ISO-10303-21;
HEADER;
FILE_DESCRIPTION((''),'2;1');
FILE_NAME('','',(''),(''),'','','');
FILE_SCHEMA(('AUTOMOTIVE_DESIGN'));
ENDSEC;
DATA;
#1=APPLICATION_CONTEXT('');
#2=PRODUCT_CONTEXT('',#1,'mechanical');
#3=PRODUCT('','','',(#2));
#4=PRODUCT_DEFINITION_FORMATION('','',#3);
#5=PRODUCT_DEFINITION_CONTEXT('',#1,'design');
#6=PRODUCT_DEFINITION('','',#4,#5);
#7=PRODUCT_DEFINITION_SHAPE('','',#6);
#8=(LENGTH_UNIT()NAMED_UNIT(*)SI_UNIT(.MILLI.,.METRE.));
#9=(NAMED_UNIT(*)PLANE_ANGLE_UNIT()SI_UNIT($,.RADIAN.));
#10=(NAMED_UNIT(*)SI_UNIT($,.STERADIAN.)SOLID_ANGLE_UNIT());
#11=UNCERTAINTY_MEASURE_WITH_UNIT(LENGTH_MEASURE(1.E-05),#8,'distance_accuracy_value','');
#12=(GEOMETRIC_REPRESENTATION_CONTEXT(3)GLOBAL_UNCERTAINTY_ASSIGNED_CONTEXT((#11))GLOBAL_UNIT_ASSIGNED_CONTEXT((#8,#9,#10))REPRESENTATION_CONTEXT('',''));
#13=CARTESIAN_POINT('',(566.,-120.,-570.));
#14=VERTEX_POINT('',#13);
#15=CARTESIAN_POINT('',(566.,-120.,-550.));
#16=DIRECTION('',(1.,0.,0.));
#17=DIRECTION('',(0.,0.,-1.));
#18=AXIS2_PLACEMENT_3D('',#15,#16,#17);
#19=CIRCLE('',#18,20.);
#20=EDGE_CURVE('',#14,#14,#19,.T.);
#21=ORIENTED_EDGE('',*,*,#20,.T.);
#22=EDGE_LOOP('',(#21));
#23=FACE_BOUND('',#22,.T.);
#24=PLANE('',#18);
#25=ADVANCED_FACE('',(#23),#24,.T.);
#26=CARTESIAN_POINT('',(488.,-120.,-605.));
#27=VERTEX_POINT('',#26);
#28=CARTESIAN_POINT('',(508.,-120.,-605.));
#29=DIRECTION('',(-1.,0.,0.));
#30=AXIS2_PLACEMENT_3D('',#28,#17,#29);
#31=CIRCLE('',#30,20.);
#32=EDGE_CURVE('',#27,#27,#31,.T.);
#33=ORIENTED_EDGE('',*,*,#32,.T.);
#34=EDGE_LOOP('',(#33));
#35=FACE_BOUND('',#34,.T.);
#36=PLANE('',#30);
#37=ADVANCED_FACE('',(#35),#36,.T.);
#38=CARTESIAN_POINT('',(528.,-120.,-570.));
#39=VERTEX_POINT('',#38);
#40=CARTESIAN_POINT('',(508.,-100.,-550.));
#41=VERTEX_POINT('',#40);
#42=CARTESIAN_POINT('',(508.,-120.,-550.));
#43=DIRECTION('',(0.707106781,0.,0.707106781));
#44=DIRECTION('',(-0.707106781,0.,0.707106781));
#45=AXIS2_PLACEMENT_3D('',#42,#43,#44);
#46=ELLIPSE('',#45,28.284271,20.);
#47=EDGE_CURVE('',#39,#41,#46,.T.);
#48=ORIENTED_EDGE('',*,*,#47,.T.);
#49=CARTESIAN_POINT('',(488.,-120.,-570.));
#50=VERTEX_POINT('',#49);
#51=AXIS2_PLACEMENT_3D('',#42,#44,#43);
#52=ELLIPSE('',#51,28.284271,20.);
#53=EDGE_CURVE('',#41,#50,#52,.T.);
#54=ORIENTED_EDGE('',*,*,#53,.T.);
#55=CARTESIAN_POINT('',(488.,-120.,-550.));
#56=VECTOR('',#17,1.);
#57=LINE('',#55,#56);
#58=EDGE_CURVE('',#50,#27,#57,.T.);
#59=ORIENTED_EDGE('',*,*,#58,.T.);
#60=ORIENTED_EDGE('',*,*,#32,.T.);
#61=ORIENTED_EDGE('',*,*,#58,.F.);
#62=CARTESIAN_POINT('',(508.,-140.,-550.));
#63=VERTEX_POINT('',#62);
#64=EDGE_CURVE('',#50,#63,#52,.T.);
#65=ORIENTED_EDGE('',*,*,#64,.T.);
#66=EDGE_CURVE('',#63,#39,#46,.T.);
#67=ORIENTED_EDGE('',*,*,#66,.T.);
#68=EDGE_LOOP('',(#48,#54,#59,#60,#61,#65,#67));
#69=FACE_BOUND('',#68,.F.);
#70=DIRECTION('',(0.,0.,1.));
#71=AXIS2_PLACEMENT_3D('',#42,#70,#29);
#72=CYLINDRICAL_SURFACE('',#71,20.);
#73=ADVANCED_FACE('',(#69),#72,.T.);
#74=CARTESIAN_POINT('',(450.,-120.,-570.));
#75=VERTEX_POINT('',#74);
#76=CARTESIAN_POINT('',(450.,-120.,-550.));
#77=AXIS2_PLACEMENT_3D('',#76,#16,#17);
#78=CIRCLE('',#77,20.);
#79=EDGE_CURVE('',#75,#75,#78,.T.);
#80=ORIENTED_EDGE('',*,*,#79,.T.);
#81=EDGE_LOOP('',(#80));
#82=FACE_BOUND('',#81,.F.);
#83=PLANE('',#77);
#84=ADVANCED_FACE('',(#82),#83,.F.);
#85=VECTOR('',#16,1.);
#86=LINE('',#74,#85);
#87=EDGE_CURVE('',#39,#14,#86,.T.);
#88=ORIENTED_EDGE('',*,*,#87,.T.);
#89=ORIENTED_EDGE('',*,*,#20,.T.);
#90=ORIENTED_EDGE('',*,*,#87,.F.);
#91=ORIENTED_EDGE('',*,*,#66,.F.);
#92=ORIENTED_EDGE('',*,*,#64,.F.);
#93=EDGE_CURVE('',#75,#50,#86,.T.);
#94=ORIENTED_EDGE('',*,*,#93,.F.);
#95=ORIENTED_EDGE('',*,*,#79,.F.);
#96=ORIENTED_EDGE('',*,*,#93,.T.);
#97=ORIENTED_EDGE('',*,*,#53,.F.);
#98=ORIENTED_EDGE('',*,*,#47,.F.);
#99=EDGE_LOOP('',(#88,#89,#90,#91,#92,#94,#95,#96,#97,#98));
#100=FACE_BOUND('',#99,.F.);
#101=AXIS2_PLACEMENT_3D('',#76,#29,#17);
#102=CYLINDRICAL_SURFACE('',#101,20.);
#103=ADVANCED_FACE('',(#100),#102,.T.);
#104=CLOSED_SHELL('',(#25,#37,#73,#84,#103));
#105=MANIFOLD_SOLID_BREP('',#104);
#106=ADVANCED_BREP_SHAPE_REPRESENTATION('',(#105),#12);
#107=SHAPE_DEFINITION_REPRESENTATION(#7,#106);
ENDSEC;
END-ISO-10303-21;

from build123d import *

# Parameters (mm, degrees)
CYLINDER003_R          = 20
CYLINDER003_DEPTH      = 116
CYLINDER004_R          = 20
CYLINDER004_DEPTH      = 55
FUSION_PLACEMENT_ANGLE = 90


with BuildPart() as cylinder:
    # Cylinder003 → Cylinder003 (new body)
    with BuildSketch(Plane.XY):
        Circle(CYLINDER003_R)
    extrude(amount=CYLINDER003_DEPTH)


with BuildPart() as t_stuk:
    # Cylinder004 → Cylinder004 (new body)
    with BuildSketch(Plane(origin=(0, 0, 58), x_dir=(0, 0, -1), z_dir=(1, 0, 0))):
        Circle(CYLINDER004_R)
    extrude(amount=CYLINDER004_DEPTH)

    # Fusion: union Cylinder
    add(cylinder.part)


with BuildPart() as t_stuk_1:
    # Fusion placement: moved
    add(t_stuk.part.moved(Location((450, -120, -550))).rotate(Axis((450, -120, -550), (0, 1, 0)), FUSION_PLACEMENT_ANGLE))


solid = t_stuk_1.part
